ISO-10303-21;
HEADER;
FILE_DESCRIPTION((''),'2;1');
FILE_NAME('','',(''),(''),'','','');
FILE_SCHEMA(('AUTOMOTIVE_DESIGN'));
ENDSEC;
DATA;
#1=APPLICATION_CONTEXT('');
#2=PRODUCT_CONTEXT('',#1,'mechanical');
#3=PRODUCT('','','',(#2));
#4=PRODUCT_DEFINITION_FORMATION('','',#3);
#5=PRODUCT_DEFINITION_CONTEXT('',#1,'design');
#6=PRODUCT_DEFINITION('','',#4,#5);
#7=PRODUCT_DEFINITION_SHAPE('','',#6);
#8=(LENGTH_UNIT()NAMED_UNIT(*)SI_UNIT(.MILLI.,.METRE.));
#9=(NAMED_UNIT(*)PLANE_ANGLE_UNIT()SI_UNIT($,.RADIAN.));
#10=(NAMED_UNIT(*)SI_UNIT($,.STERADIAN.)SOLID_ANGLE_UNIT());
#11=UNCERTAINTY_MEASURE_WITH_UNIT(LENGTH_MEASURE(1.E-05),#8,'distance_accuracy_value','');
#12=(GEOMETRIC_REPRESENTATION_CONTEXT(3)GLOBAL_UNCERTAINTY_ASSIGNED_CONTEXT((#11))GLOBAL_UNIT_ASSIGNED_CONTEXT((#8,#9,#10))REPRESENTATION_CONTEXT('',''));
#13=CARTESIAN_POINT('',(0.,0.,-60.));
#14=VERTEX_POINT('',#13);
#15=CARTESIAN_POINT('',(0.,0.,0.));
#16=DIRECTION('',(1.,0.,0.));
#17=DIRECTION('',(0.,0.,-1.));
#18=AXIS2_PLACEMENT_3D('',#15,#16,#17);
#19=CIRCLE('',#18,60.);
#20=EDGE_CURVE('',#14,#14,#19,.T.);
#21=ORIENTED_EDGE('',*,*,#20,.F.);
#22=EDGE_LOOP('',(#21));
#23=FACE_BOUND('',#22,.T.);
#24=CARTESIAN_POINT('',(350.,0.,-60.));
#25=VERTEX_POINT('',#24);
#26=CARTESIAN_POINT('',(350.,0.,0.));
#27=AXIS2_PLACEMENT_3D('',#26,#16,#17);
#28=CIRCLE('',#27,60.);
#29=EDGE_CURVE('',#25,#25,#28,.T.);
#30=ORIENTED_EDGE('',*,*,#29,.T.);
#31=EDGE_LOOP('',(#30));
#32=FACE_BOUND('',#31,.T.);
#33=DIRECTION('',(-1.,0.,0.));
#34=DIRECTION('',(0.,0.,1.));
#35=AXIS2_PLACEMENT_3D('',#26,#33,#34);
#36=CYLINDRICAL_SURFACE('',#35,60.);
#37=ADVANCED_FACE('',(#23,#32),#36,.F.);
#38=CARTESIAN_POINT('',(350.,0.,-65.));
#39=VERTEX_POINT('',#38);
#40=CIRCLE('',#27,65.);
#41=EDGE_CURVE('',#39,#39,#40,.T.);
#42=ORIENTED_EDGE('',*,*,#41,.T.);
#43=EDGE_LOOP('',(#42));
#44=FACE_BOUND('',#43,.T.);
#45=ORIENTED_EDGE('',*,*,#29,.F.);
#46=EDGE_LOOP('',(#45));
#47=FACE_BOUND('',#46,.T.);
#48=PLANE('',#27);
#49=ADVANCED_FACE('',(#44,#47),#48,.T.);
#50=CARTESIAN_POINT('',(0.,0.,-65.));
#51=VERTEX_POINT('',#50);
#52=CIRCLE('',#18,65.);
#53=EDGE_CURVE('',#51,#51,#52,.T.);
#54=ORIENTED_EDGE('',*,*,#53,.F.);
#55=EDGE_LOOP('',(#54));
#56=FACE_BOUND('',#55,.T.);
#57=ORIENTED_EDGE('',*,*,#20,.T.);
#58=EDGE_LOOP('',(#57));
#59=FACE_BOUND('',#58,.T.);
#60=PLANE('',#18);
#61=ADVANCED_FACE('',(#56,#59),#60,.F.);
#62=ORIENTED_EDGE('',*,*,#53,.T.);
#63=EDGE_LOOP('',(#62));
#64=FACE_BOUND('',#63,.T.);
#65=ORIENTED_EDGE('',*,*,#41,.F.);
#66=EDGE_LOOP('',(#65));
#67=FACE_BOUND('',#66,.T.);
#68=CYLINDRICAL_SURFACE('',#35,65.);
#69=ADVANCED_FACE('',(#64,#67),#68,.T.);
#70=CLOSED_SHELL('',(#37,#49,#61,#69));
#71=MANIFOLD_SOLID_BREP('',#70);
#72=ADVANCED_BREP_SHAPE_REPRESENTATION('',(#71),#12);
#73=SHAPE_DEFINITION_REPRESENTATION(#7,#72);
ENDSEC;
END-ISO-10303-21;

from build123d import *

# Parameters (mm, degrees)
SKETCH_1_R      = 65
SKETCH_1_R_2    = 60
EXTRUDE_1_DEPTH = 350


with BuildPart() as part:
    # Эскиз1 → Бобышка-Вытянуть1 (new body)
    with BuildSketch(Plane(origin=(0, 0, 0), x_dir=(0, 0, -1), z_dir=(1, 0, 0))):
        Circle(SKETCH_1_R)
        Circle(SKETCH_1_R_2, mode=Mode.SUBTRACT)
    extrude(amount=EXTRUDE_1_DEPTH)


solid = part.part
